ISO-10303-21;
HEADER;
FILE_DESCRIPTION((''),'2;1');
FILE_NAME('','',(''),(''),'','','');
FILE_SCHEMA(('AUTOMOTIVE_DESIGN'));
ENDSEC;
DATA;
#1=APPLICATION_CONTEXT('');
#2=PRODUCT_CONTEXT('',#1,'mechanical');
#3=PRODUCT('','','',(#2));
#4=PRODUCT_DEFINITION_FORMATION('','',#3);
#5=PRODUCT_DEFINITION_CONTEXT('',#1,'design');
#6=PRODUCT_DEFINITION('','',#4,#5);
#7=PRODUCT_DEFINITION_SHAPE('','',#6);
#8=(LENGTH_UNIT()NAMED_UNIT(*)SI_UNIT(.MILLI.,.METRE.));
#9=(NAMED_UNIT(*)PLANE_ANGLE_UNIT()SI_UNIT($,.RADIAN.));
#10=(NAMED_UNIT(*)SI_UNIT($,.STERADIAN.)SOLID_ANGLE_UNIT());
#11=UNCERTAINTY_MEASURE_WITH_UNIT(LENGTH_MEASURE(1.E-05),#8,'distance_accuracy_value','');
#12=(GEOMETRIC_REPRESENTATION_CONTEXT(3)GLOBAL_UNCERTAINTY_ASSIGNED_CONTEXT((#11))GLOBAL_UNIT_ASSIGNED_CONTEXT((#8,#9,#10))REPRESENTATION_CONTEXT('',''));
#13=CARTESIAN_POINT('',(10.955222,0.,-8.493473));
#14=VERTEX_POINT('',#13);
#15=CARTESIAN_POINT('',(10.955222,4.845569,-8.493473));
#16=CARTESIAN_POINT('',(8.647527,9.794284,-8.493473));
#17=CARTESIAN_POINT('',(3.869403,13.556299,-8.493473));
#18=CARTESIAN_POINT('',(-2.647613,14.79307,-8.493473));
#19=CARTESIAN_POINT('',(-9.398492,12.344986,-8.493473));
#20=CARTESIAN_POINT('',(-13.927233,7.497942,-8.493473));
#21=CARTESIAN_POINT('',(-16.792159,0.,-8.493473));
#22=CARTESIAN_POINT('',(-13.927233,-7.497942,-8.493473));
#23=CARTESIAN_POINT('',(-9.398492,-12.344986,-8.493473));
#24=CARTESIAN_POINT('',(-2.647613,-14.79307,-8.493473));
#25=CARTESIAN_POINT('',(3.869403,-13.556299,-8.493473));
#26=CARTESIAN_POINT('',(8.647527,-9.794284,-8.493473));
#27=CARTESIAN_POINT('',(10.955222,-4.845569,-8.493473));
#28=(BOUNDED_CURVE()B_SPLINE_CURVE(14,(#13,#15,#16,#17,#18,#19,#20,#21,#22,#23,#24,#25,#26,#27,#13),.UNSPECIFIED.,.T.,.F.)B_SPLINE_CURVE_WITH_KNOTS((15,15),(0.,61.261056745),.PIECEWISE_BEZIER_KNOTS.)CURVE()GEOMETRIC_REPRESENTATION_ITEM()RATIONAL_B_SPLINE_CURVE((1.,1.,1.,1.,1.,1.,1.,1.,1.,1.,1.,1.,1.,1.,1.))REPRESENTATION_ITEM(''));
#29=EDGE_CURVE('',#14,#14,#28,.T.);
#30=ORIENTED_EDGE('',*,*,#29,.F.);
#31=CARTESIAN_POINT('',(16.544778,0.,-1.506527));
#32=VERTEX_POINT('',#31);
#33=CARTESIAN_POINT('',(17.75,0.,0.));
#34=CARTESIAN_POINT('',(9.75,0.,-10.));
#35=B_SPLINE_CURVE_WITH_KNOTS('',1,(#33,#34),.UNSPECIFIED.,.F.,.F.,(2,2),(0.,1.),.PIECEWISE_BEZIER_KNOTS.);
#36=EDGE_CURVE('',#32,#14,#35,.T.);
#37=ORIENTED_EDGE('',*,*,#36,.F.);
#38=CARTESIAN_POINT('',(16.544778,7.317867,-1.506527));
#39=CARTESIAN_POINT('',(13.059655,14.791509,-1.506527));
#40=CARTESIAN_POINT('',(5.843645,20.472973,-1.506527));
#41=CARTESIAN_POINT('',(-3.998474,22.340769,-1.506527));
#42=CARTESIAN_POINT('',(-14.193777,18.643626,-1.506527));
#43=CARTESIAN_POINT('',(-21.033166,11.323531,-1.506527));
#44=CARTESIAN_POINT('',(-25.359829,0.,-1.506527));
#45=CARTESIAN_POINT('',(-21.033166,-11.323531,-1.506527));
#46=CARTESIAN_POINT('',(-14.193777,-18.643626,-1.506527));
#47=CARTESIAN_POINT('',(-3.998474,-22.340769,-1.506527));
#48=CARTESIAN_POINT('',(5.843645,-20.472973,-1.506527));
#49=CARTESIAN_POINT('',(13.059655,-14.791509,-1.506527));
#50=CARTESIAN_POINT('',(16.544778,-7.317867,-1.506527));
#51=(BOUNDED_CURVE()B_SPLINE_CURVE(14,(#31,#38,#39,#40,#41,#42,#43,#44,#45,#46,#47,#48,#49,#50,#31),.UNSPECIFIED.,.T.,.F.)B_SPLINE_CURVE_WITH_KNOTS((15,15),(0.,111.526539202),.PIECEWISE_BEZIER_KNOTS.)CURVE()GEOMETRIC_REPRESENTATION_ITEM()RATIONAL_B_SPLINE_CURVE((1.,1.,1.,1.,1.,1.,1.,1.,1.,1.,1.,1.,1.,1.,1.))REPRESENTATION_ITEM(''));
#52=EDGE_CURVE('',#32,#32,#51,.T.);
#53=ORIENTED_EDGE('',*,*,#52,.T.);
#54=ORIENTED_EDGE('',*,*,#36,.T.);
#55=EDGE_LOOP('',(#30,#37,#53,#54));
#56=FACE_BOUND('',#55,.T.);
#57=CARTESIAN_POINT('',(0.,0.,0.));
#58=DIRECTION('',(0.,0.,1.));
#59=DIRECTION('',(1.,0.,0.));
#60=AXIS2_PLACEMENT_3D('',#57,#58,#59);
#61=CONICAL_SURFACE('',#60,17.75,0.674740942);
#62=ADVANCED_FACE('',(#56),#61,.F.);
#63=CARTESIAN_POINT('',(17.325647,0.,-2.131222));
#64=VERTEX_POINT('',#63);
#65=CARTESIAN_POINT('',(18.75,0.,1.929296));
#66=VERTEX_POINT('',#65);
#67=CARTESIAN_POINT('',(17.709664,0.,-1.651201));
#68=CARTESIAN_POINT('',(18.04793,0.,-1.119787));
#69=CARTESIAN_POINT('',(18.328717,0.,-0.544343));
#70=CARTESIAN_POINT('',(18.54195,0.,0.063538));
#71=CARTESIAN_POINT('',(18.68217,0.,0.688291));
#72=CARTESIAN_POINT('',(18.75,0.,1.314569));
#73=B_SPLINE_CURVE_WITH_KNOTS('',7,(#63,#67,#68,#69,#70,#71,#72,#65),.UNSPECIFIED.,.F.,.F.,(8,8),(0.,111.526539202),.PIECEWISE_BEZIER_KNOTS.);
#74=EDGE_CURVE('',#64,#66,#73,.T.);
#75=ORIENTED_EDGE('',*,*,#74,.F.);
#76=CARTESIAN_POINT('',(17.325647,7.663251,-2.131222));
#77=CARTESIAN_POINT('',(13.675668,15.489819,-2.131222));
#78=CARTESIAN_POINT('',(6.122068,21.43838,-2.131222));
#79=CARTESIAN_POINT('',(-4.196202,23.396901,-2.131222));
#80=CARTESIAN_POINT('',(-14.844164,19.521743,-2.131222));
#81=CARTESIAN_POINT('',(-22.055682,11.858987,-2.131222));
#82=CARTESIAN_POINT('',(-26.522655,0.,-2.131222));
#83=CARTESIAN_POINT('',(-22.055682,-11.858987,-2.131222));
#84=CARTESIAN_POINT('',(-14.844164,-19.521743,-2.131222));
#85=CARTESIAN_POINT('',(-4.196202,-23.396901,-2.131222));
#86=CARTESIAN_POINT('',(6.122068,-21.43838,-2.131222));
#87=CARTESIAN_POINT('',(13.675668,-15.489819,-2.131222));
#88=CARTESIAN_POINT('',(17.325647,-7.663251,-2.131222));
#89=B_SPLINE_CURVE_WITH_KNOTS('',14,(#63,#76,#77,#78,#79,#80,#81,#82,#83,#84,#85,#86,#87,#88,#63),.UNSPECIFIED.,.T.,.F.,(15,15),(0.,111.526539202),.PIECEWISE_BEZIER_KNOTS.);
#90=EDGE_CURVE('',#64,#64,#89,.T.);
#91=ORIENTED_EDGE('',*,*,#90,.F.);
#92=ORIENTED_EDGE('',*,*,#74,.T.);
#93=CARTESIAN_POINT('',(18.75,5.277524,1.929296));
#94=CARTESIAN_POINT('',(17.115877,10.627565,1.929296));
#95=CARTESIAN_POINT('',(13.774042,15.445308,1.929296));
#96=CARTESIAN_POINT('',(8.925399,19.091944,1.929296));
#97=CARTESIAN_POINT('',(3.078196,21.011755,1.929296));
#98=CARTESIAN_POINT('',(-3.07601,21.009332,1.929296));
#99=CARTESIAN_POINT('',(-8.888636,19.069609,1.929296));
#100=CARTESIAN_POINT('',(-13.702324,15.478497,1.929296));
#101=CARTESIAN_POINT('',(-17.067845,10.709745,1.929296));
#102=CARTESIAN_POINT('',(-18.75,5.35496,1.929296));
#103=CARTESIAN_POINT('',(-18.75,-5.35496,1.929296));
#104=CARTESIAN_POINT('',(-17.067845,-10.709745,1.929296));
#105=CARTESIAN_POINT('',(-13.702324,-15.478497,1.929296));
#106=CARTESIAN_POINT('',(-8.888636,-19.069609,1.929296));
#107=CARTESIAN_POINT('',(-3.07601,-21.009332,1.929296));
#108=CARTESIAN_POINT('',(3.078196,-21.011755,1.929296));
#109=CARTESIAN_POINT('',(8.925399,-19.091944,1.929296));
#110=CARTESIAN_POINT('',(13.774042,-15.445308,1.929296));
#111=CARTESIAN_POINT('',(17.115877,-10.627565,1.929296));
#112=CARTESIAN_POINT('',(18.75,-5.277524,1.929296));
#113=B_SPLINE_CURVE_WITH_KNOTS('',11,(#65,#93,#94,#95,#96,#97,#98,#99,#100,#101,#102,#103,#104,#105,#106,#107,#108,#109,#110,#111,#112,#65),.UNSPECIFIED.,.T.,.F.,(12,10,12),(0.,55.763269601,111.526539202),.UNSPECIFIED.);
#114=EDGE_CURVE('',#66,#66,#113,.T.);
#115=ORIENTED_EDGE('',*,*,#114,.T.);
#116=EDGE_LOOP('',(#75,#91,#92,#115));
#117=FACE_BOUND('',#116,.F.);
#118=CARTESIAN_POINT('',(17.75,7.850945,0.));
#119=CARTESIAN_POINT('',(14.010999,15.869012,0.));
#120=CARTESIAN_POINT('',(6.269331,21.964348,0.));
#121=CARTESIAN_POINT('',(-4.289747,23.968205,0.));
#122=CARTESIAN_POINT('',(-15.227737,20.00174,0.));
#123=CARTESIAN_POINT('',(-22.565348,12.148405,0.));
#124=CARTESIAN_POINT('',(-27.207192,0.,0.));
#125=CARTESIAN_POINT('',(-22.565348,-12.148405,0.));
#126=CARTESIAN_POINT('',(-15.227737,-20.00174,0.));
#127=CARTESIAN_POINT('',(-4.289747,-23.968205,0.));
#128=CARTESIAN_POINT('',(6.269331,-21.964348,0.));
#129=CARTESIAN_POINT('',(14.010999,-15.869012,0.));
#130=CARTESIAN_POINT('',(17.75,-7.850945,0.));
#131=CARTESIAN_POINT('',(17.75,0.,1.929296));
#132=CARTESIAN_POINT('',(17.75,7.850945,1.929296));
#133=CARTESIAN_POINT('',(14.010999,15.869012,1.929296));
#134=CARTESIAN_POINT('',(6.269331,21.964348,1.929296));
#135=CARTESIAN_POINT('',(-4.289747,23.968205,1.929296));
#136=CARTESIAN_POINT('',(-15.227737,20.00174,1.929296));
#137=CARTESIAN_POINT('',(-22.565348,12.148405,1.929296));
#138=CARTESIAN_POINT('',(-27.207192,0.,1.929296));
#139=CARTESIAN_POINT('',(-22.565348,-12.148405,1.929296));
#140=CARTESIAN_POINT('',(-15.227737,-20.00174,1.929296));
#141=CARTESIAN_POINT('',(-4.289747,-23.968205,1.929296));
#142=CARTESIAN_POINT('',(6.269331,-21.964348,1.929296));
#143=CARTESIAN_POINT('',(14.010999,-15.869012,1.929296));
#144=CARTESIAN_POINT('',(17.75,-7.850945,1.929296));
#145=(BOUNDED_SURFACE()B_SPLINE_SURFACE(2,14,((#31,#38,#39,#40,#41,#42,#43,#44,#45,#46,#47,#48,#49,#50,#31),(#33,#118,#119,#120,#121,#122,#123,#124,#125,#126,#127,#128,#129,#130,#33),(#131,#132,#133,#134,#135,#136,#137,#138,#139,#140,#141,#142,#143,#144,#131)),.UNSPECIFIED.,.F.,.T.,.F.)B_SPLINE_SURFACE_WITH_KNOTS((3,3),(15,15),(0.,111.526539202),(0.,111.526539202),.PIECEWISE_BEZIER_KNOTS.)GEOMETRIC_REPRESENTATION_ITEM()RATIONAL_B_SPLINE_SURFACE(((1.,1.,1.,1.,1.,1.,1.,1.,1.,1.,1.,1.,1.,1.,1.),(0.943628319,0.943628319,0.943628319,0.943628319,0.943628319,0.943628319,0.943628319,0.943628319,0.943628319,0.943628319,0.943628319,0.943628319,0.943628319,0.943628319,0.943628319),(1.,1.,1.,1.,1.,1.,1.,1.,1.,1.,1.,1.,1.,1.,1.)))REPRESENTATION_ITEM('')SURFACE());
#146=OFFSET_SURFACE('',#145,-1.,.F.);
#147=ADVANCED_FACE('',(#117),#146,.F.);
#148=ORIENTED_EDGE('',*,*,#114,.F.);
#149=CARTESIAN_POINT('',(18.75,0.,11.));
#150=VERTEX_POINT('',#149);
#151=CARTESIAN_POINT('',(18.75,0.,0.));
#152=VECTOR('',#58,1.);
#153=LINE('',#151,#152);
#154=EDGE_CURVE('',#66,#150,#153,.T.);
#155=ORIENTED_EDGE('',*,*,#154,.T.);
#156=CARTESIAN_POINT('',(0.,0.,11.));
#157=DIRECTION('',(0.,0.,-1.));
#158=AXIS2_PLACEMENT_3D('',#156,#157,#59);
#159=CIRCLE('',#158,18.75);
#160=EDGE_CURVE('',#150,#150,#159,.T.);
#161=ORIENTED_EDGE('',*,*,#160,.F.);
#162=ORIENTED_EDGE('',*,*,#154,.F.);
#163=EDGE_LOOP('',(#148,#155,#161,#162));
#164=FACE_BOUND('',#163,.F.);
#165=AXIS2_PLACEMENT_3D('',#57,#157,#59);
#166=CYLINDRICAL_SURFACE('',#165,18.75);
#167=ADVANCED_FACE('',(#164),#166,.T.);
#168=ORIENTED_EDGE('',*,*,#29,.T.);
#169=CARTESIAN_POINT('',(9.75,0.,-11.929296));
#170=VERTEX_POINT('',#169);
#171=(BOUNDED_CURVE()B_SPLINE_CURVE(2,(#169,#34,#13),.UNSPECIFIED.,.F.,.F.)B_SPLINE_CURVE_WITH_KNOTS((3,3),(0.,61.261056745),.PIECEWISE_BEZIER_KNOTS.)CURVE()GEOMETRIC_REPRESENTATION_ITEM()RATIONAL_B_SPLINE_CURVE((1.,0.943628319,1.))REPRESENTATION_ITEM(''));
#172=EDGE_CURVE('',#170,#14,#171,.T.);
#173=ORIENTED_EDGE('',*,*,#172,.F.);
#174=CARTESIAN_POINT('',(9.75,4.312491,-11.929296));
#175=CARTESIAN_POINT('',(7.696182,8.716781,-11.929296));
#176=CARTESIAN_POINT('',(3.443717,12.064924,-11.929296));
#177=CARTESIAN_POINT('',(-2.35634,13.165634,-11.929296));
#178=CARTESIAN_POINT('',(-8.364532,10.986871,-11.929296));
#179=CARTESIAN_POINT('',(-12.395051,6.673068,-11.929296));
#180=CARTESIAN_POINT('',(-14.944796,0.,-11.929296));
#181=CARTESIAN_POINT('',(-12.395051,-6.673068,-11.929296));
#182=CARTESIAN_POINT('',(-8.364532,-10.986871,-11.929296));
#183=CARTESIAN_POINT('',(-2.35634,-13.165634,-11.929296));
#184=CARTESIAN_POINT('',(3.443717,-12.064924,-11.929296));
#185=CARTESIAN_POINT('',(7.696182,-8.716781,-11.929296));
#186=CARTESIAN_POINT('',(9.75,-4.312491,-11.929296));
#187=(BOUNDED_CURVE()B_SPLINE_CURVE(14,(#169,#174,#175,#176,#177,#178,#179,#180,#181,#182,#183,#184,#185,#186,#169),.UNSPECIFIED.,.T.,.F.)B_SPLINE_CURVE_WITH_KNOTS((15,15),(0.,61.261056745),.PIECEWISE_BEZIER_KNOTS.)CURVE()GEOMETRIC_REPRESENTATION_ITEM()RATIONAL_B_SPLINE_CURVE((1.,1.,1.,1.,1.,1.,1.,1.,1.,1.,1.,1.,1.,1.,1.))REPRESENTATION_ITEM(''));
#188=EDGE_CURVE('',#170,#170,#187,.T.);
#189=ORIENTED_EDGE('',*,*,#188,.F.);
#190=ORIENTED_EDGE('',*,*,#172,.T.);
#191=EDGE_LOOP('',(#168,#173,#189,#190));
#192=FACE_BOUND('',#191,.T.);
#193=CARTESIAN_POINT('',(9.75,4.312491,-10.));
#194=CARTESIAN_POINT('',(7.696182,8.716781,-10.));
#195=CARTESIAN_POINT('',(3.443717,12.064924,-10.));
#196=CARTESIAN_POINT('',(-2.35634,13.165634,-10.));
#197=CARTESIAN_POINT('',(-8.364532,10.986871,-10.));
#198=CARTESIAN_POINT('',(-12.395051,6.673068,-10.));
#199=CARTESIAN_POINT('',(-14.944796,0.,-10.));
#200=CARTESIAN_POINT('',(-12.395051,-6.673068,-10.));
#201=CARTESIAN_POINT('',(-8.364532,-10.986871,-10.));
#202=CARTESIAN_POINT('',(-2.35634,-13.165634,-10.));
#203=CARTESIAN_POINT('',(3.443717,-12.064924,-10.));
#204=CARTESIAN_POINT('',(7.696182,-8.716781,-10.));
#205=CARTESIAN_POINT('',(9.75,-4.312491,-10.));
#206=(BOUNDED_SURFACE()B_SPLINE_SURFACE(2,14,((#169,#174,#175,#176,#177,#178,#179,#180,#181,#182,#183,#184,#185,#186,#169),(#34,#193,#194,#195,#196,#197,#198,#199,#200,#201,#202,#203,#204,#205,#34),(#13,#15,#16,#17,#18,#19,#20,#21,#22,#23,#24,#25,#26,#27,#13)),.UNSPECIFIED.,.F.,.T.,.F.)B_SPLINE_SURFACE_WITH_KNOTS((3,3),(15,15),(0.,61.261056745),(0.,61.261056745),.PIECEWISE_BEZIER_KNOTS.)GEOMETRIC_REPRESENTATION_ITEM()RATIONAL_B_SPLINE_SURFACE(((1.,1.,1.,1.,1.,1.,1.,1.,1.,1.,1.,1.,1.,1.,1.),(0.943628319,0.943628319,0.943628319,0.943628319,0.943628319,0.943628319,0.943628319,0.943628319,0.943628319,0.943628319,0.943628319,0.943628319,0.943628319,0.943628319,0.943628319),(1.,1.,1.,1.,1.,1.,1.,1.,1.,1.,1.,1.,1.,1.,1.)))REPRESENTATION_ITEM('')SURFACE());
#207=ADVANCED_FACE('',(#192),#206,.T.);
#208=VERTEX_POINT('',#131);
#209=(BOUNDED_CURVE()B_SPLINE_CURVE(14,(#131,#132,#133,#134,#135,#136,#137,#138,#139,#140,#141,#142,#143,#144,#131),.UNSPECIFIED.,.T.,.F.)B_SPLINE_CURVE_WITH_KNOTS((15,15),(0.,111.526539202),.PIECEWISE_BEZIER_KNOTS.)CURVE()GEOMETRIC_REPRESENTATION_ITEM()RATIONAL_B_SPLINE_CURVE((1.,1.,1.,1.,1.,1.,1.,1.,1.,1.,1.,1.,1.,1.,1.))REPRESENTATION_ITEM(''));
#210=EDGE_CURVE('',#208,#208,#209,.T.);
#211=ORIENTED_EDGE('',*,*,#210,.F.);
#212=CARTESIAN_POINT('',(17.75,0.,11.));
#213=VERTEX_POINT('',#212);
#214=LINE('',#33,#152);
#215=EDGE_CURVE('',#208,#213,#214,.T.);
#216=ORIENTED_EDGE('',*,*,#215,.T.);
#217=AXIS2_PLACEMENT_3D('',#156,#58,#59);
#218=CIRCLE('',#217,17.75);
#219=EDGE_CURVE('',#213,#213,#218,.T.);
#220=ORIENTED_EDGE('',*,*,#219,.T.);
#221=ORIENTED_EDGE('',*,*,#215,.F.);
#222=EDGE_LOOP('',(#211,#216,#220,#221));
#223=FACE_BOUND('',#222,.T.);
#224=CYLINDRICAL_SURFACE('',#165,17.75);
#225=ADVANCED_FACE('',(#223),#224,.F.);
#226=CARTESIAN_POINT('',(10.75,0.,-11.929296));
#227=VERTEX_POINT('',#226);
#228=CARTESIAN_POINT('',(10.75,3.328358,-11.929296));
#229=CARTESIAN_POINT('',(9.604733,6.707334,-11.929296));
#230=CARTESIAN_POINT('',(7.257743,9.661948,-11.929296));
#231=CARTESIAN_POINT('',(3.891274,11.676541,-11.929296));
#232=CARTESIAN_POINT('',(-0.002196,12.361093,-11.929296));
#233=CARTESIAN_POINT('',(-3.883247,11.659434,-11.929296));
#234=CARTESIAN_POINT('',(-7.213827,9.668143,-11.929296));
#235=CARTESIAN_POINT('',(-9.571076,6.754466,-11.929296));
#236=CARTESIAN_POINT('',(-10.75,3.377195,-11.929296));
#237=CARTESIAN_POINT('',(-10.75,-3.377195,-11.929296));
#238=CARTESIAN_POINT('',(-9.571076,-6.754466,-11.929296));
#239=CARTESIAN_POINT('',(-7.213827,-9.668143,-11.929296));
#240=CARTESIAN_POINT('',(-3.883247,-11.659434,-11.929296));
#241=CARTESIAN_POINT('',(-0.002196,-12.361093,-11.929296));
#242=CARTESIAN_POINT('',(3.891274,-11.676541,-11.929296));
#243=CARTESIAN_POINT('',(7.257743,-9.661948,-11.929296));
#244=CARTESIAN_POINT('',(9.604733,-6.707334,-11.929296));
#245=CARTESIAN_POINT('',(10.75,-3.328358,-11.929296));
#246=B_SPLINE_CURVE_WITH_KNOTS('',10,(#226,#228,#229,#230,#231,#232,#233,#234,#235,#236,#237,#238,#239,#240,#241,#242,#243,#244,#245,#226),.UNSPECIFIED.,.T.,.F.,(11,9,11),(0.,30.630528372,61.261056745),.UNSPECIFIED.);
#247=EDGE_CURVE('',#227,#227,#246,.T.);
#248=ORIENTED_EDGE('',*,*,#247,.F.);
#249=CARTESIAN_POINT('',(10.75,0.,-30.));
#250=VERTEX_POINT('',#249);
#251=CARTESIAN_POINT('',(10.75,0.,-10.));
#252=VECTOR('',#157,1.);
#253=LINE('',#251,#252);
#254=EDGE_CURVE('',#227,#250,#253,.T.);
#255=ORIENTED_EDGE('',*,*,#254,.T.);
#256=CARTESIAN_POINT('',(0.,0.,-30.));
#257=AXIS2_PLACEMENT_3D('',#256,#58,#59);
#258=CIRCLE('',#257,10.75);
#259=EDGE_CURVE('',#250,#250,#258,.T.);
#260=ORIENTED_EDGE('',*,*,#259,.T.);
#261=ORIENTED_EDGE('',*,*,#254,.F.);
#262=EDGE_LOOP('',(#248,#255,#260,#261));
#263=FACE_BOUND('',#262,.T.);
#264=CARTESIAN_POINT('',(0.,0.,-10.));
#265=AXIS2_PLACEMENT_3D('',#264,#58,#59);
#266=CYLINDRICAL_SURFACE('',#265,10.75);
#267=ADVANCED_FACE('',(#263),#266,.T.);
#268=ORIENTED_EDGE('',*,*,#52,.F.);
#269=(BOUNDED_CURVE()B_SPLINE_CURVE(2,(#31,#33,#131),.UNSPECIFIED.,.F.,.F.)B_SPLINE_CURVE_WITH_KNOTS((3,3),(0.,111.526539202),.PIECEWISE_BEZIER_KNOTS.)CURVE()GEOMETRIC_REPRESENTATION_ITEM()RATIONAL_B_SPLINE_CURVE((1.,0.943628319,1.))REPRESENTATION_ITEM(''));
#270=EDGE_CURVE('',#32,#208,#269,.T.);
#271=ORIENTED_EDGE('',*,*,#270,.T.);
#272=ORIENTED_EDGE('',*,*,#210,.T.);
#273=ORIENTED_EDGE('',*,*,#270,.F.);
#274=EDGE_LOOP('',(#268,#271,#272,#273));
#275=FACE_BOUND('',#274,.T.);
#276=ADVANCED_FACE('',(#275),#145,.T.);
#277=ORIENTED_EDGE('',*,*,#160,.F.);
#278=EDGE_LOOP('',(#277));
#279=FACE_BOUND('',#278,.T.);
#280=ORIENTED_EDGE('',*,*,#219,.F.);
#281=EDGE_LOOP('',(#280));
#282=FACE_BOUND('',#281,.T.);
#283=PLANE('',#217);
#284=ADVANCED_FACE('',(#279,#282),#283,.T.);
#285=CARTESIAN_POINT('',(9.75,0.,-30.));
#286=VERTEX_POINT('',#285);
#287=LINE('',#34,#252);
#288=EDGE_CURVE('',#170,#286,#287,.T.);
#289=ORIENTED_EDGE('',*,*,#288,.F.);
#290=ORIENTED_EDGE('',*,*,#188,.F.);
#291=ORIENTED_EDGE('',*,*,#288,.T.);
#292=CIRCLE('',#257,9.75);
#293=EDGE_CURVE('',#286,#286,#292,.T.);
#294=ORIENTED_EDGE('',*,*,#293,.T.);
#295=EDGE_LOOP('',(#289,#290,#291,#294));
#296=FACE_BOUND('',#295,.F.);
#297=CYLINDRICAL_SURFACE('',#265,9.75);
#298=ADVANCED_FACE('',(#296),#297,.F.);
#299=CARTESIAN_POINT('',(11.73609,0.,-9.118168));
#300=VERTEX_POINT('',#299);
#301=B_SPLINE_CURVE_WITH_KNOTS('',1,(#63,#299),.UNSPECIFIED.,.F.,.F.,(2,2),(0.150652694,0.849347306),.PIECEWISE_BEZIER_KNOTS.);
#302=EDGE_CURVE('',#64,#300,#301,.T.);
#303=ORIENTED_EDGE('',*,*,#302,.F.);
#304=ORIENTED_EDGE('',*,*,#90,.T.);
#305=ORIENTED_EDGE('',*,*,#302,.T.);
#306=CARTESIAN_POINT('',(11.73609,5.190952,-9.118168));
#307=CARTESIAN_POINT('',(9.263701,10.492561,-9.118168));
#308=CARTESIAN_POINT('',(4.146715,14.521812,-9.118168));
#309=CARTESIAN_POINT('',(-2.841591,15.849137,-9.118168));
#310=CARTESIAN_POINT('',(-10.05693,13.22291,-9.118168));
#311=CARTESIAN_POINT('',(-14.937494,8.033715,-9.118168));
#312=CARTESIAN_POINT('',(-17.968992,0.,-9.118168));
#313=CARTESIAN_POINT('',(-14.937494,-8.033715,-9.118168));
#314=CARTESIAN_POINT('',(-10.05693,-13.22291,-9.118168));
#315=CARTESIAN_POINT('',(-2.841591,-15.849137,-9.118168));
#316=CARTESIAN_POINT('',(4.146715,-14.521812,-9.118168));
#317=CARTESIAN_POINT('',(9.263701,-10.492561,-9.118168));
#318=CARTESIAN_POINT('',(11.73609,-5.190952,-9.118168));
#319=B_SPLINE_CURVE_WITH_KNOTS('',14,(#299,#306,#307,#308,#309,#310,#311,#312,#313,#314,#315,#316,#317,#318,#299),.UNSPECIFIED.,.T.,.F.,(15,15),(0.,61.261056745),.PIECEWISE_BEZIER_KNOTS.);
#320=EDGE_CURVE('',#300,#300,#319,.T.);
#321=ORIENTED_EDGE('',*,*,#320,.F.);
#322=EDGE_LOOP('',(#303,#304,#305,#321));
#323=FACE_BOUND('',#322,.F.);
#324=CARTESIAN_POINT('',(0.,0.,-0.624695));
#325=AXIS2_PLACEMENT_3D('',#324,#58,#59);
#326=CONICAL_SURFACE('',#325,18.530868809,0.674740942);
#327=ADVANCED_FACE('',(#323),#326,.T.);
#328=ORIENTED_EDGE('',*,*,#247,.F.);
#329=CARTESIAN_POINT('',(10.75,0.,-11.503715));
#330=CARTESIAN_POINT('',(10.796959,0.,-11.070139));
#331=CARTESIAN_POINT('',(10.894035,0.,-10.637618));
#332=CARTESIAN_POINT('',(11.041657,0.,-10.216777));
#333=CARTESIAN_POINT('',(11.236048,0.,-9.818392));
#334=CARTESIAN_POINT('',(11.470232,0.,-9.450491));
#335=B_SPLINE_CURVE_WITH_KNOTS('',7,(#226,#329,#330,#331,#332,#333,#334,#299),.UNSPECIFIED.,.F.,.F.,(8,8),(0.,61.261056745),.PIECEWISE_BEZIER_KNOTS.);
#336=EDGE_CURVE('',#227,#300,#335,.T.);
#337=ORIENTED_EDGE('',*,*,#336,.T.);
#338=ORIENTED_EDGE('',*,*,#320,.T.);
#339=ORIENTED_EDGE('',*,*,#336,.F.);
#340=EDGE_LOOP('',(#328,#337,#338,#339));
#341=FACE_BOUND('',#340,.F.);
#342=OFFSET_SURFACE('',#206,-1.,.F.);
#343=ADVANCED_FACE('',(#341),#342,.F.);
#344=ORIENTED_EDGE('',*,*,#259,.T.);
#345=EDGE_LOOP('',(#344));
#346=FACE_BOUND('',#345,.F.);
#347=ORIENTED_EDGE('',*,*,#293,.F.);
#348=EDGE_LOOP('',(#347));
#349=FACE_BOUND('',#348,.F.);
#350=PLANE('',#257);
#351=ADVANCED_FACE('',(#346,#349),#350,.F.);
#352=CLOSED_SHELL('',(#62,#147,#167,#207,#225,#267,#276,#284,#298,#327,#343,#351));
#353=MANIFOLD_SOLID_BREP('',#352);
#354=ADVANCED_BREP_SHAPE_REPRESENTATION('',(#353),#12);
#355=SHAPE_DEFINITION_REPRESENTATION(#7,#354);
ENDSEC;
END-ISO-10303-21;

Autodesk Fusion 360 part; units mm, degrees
sketch "Sketch1" plane through (0, 0, 0) normal (0, 0, 1) x (1, 0, 0) in component "funnel"
  circle A0 centre (0, 0) radius 17.75
  dimension "d1" = 35.5
extrude "Extrude2" add sketch "Sketch1" along normal blind 11 in component "funnel"
ref_plane "WorkPlane1" through (0, 0, -10) normal (0, 0, 1) x (1, 0, 0) in component "funnel"
sketch "Sketch2" plane through (0, 0, -10) normal (0, 0, 1) x (1, 0, 0) in component "funnel"
  circle A0 centre (0, 0) radius 8.75
  circle A1 centre (0, 0) radius 9.75
  circle A2 centre (0, 0) radius 17.75
  dimension "d7" = 1
  dimension "d10" = 9
loft "Loft1" add profiles "Sketch1", "Sketch2" section 1 section 2 contours A0 | A1 in component "funnel"
extrude "Extrude3" add 1 faces at (1.6592, 0.958, -10) along direction (0, 0, -1) blind 20 in component "funnel"
fillet "Fillet1" radius 5.5 2 edges at (-9.0902, -3.5258, -10) (-16.5488, -6.4187, 0) in component "funnel"
shell "Shell1" thickness 1 outward yes removed faces 2 at (2.6955, 3.38, 11) at (1.6592, 0.958, -30) in component "funnel"
component "funnel" placed x (1, 0, 0) y (0, 1, 0) z (0, 0, 1) at (0, 0, 0)
